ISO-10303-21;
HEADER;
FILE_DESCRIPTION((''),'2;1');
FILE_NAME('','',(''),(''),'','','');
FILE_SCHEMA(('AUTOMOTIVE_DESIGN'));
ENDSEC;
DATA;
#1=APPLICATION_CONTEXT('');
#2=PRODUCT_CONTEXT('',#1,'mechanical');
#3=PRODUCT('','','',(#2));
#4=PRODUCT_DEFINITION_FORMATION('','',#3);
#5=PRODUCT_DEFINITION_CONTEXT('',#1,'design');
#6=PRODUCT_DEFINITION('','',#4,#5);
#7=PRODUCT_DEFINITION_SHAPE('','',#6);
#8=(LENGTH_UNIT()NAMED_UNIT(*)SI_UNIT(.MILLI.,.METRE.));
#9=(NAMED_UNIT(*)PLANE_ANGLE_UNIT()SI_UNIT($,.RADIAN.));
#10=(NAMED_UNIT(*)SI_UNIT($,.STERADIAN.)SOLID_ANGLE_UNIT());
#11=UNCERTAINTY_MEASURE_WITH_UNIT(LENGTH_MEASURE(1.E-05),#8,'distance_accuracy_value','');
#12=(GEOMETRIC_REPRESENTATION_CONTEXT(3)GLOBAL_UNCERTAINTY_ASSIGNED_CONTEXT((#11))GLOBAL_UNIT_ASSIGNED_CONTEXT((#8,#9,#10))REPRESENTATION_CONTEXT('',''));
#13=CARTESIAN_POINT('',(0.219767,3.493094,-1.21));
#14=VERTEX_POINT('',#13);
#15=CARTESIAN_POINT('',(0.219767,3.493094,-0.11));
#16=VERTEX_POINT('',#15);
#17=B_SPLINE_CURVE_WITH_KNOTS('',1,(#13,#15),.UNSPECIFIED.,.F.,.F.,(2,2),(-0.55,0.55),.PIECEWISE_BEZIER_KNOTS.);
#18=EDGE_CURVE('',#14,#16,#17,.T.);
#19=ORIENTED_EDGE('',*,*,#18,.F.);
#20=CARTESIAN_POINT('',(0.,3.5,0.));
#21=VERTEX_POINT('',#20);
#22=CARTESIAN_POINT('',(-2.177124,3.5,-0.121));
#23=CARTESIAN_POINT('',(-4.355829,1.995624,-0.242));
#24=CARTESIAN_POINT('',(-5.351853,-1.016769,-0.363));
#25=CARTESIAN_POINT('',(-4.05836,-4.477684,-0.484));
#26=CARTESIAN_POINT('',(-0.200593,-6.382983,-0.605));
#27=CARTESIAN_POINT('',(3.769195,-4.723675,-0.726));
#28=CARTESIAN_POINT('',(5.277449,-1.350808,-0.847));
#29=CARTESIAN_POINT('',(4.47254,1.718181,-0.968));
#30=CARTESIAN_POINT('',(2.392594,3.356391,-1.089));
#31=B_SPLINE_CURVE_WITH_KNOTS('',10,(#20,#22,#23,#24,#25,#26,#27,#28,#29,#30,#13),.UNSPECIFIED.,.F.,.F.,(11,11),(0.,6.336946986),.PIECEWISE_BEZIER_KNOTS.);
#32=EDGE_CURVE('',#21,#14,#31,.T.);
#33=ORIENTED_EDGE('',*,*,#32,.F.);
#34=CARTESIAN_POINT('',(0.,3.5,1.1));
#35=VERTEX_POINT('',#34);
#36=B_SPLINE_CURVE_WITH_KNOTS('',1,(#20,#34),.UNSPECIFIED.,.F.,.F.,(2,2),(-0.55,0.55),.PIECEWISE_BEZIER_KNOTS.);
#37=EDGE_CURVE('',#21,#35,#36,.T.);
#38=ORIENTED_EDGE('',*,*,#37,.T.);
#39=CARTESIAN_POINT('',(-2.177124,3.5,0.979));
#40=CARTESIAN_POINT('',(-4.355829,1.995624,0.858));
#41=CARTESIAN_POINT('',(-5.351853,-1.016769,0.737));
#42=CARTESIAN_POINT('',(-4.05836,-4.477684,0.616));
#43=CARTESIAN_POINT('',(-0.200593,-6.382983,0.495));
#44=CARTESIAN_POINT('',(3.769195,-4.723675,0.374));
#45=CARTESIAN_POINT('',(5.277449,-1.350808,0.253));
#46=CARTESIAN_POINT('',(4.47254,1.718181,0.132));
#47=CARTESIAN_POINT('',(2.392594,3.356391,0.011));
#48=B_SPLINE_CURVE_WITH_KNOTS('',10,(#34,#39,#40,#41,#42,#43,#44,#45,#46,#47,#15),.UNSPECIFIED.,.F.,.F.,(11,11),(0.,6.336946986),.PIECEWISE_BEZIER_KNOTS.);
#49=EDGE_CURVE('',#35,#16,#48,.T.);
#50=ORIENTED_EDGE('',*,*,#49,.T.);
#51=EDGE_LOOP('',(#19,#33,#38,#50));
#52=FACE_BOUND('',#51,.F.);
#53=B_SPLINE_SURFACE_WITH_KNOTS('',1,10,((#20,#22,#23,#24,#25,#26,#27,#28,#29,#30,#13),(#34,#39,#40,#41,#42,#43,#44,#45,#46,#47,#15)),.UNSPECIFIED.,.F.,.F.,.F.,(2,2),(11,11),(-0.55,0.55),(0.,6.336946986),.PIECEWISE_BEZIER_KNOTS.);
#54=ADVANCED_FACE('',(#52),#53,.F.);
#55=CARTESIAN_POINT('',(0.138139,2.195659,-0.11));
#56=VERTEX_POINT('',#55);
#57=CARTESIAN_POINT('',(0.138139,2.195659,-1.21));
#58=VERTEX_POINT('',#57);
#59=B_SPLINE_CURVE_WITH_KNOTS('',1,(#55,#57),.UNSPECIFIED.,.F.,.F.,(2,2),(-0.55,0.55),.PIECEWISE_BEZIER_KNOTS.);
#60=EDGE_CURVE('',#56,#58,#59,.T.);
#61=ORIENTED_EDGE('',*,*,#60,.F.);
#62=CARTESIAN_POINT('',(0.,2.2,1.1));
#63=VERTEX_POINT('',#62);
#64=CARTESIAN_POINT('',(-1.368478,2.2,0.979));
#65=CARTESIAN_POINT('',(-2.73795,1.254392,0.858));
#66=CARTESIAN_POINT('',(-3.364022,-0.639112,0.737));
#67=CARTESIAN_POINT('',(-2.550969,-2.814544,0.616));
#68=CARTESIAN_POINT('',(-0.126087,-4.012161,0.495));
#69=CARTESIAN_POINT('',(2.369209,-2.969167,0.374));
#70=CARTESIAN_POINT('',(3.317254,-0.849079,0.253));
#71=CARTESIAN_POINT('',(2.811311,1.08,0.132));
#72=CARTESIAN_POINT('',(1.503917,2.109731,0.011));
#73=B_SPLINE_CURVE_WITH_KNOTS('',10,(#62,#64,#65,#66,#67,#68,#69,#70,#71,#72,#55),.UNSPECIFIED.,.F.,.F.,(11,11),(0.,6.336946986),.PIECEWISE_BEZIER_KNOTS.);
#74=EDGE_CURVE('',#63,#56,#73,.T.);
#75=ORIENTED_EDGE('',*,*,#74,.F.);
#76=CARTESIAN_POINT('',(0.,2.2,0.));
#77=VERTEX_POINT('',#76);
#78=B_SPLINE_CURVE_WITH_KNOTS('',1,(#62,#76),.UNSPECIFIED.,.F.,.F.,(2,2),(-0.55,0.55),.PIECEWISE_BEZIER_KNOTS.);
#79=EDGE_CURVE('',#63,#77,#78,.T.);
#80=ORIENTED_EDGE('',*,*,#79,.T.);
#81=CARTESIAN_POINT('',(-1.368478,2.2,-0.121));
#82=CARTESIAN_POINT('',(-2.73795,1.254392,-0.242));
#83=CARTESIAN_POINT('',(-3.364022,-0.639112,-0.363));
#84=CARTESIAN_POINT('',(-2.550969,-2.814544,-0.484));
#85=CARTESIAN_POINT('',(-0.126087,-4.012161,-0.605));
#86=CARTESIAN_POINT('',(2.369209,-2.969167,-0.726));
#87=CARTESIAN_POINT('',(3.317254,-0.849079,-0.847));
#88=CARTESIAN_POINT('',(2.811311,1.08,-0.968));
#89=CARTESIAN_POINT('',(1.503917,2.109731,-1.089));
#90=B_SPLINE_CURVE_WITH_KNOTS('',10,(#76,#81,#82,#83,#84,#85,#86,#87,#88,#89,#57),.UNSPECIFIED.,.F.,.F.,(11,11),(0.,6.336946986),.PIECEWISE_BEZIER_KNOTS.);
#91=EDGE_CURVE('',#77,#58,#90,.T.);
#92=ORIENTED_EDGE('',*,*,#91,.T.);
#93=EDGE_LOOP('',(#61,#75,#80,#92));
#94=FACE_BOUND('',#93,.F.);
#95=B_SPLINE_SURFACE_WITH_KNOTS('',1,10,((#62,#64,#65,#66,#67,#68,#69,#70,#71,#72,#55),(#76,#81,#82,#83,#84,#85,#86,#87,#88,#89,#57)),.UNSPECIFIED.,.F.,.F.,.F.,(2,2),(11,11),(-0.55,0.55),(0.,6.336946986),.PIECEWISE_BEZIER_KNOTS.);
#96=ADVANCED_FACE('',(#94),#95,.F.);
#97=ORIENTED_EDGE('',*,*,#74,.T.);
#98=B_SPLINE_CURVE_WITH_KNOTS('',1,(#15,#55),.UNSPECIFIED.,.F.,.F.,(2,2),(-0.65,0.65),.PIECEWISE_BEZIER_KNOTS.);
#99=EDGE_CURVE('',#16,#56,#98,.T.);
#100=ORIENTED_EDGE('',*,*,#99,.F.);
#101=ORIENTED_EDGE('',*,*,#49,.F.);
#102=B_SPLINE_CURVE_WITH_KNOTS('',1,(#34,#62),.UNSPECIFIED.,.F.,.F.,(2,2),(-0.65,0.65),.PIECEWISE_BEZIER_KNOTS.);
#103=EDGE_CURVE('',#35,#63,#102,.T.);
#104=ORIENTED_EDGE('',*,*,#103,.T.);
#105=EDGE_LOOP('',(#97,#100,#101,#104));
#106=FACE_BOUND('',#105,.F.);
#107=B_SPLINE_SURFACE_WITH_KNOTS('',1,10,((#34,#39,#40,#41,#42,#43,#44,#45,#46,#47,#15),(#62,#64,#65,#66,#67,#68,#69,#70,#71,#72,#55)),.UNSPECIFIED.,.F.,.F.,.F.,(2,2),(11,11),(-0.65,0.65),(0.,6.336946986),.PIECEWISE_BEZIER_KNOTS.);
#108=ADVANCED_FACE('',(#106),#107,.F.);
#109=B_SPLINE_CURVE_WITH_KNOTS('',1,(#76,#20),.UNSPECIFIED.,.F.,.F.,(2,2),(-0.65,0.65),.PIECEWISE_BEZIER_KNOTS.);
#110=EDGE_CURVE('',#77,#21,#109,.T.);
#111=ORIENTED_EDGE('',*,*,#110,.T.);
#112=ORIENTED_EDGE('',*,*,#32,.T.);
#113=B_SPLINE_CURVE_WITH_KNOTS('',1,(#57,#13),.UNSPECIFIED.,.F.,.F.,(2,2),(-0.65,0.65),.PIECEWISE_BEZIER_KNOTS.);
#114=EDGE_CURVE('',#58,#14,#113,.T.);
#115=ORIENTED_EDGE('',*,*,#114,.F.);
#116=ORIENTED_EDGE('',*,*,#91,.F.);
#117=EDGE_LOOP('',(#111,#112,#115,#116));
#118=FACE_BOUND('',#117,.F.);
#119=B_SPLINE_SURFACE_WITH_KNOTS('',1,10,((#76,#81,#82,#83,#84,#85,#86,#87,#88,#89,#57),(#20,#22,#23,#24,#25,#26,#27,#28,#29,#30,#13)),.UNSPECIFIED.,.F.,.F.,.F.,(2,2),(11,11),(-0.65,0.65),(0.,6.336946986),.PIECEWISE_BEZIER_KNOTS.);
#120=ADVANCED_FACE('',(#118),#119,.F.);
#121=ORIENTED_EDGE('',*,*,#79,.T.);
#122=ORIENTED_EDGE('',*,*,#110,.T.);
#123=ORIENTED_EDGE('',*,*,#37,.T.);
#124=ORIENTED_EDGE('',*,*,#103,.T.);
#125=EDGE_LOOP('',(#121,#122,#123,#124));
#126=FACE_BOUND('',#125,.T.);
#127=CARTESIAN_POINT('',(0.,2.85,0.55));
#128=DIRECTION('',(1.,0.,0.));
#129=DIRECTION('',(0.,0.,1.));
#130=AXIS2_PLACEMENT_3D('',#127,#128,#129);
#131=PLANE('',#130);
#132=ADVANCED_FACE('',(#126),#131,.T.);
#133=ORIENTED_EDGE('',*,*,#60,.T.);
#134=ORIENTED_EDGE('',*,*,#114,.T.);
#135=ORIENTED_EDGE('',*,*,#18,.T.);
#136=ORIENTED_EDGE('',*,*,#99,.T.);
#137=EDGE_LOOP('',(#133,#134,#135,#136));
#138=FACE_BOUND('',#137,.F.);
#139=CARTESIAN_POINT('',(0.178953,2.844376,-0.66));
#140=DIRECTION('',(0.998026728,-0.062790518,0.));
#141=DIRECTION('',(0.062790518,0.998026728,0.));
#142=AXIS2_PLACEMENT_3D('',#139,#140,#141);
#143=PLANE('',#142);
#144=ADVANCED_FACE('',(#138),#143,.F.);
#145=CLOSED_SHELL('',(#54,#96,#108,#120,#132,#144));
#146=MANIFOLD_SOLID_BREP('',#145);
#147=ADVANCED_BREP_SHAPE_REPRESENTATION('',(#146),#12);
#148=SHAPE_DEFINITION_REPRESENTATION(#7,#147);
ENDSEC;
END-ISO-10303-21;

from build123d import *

# Parameters (mm, degrees)
SWEEP1_PITCH       = 1.222222222
SWEEP1_HEIGHT      = 1.21
SWEEP1_RADIUS      = 3.5
SWEEP1_START_ANGLE = 90
SKETCH2_W          = 1.1
SKETCH2_H          = 1.3


with BuildPart() as part:
    # Sweep1: sweep along a helix
    with BuildLine() as sweep1_path:
        add(Helix(SWEEP1_PITCH, SWEEP1_HEIGHT, SWEEP1_RADIUS, center=(0, 0, 0), direction=(0, 0, -1), lefthand=True, mode=Mode.PRIVATE).rotate(Axis((0, 0, 0), (0, 0, -1)), SWEEP1_START_ANGLE))
    # Sketch2 → Sweep1 (sweep)
    with BuildSketch(Plane(origin=(0, 0, 0), x_dir=(0, 0, -1), z_dir=(1, 0, 0))):
        with Locations((-0.55, 2.85)):
            Rectangle(SKETCH2_W, SKETCH2_H)
    sweep(path=sweep1_path.line, is_frenet=True)


solid = part.part
